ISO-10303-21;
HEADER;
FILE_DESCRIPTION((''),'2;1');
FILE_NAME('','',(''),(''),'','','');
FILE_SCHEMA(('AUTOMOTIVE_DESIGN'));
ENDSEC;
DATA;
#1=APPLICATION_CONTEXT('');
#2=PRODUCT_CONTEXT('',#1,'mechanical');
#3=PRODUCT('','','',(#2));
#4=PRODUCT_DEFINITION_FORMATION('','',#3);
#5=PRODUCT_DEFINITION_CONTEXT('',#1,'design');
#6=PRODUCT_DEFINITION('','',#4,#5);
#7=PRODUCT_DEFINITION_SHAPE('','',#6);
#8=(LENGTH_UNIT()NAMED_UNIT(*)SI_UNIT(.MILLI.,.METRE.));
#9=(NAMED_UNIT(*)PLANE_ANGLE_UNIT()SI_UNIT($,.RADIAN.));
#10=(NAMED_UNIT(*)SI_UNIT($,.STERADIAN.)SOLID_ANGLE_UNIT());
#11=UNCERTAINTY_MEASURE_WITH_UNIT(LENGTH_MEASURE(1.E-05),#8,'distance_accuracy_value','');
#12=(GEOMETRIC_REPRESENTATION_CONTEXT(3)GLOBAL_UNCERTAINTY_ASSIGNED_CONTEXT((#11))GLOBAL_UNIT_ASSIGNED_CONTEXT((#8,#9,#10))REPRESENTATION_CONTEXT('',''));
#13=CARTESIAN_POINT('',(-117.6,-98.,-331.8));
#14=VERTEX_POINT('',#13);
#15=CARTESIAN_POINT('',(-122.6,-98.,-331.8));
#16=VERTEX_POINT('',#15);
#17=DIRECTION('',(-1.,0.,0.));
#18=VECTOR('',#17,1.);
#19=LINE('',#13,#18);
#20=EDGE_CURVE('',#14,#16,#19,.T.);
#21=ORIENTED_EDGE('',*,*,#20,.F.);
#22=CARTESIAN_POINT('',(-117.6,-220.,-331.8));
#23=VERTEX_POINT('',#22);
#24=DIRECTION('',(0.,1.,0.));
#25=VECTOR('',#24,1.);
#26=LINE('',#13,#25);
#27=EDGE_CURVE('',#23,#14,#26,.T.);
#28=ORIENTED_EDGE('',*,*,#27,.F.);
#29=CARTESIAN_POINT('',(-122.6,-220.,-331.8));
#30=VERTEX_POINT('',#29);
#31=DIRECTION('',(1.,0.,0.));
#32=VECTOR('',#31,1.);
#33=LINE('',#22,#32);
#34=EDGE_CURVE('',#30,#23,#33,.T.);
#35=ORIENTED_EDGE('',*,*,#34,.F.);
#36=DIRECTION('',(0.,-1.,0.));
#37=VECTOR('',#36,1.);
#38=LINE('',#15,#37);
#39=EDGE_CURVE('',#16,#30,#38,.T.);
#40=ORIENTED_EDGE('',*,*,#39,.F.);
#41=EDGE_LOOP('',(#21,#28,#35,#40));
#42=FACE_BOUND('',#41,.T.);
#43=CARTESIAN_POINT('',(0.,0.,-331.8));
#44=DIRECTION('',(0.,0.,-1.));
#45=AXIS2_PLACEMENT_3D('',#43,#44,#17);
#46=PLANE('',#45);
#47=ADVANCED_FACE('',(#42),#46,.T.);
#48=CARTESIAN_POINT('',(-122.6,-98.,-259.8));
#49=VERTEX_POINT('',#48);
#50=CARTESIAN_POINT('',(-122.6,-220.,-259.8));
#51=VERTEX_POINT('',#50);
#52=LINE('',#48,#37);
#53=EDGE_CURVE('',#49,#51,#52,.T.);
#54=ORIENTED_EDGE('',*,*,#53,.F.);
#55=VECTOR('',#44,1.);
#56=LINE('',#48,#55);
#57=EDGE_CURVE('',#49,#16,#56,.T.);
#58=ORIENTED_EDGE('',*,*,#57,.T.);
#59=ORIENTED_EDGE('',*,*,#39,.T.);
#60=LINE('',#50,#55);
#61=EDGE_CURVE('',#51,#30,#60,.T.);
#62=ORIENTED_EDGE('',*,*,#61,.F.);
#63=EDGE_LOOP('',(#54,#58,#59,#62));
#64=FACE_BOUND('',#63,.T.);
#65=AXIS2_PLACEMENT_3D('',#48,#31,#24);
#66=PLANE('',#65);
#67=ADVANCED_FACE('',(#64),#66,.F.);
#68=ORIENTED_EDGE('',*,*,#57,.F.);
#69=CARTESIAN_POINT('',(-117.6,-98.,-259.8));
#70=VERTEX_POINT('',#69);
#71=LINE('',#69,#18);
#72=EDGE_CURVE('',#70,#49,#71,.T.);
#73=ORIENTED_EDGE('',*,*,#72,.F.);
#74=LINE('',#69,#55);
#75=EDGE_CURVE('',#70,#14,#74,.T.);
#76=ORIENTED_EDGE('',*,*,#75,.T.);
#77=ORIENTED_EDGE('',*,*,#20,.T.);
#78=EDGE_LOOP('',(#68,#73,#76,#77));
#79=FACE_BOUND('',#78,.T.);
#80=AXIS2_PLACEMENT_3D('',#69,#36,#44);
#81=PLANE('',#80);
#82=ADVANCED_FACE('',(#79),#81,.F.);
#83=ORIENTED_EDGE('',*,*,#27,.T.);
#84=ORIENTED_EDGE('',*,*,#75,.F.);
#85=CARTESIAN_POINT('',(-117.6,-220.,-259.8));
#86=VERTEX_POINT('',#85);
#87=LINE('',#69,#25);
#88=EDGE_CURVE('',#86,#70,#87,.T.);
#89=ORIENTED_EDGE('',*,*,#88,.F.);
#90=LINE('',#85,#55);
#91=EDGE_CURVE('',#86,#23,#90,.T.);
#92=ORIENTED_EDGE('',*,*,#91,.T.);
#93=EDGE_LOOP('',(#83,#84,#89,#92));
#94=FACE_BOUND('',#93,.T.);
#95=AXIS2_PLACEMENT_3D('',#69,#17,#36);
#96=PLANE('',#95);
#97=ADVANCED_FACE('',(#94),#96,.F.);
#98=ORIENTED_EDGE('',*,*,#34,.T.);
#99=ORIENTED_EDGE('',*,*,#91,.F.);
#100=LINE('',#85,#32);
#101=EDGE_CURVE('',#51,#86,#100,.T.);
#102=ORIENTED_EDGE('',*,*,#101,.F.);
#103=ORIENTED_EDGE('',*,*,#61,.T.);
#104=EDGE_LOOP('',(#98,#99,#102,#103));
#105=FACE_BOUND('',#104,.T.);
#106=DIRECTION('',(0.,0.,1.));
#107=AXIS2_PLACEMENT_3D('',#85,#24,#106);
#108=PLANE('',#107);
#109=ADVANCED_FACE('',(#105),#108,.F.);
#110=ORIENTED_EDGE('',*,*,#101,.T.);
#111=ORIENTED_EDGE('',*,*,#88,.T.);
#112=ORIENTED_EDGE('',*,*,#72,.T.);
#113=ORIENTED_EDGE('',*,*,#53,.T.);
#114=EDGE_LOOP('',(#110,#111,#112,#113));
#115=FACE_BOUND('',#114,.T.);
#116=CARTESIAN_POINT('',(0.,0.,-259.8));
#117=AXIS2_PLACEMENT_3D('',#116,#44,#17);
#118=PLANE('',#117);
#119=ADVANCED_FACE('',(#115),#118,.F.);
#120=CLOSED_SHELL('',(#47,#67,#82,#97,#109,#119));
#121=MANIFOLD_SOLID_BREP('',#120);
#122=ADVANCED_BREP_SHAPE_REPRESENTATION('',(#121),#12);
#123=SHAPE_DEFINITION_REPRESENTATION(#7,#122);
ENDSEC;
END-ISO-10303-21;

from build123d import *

# Parameters (mm, degrees)
SKETCH2_W           = 5
SKETCH2_H           = 122
BOSS_EXTRUDE1_DEPTH = 72


with BuildPart() as part:
    # Sketch2 → Boss-Extrude1 (new body)
    with BuildSketch(Plane.XY.offset(-331.8)):
        with Locations((-120.1, -159)):
            Rectangle(SKETCH2_W, SKETCH2_H)
    extrude(amount=BOSS_EXTRUDE1_DEPTH)


solid = part.part
